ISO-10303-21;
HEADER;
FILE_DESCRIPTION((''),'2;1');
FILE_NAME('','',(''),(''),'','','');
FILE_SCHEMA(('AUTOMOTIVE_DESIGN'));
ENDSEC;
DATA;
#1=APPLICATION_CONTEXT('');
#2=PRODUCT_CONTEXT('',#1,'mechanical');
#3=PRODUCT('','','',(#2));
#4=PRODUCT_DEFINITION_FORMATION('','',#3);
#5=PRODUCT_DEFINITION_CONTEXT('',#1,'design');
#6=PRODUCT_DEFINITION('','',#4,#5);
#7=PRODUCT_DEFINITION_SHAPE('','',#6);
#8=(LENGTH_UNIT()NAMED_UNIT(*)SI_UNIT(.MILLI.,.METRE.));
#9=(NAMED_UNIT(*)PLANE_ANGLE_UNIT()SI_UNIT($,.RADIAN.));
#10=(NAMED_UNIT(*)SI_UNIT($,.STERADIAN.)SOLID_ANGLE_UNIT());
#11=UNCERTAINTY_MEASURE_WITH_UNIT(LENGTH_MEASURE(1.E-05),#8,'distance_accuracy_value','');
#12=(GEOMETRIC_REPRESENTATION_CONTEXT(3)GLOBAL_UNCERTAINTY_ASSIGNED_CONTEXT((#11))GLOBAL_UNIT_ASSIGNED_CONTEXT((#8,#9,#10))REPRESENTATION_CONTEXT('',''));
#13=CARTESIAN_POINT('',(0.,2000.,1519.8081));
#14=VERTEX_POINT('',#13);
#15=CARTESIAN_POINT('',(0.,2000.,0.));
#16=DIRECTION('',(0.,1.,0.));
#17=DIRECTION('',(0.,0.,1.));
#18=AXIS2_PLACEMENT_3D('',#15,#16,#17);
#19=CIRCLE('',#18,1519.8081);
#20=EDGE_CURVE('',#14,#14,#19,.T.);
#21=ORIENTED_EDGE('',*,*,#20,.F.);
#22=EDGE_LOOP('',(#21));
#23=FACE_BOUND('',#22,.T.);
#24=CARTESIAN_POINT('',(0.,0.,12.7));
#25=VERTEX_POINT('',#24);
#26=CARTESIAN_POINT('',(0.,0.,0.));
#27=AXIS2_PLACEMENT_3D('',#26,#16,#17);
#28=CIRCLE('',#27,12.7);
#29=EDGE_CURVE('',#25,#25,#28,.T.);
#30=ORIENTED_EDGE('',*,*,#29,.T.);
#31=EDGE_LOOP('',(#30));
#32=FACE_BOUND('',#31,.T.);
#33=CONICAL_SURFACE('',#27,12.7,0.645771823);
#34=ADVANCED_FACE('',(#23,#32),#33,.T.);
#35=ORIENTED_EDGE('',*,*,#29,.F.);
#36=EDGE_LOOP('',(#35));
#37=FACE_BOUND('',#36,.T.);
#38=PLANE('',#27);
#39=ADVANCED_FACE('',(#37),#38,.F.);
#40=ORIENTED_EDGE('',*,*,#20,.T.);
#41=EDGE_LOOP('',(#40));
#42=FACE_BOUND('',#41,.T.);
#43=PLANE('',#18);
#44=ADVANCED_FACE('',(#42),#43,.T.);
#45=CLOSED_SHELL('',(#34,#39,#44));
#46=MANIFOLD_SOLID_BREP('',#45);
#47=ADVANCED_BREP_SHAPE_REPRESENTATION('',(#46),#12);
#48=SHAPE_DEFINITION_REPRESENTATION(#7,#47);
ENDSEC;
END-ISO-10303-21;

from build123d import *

# Parameters (mm, degrees)
SKETCH1_R           = 12.7
BOSS_EXTRUDE1_DEPTH = 2000
BOSS_EXTRUDE1_DRAFT = -37


with BuildPart() as part:
    # Sketch1 → Boss-Extrude1 (with draft: the straight prism first)
    with BuildSketch(Plane(origin=(0, 0, 0), x_dir=(1, 0, 0), z_dir=(0, 1, 0))):
        Circle(SKETCH1_R)
    extrude(amount=BOSS_EXTRUDE1_DEPTH)
    # Boss-Extrude1: the draft: its side faces are tilted about the plane it starts from
    boss_extrude1_sides = [part.faces().sort_by_distance(p)[0] for p in [
        (-12.7, 1000, 0),
    ]]
    draft(boss_extrude1_sides, Plane(origin=(0, 0, 0), x_dir=(1, 0, 0), z_dir=(0, 1, 0)), BOSS_EXTRUDE1_DRAFT)


solid = part.part
